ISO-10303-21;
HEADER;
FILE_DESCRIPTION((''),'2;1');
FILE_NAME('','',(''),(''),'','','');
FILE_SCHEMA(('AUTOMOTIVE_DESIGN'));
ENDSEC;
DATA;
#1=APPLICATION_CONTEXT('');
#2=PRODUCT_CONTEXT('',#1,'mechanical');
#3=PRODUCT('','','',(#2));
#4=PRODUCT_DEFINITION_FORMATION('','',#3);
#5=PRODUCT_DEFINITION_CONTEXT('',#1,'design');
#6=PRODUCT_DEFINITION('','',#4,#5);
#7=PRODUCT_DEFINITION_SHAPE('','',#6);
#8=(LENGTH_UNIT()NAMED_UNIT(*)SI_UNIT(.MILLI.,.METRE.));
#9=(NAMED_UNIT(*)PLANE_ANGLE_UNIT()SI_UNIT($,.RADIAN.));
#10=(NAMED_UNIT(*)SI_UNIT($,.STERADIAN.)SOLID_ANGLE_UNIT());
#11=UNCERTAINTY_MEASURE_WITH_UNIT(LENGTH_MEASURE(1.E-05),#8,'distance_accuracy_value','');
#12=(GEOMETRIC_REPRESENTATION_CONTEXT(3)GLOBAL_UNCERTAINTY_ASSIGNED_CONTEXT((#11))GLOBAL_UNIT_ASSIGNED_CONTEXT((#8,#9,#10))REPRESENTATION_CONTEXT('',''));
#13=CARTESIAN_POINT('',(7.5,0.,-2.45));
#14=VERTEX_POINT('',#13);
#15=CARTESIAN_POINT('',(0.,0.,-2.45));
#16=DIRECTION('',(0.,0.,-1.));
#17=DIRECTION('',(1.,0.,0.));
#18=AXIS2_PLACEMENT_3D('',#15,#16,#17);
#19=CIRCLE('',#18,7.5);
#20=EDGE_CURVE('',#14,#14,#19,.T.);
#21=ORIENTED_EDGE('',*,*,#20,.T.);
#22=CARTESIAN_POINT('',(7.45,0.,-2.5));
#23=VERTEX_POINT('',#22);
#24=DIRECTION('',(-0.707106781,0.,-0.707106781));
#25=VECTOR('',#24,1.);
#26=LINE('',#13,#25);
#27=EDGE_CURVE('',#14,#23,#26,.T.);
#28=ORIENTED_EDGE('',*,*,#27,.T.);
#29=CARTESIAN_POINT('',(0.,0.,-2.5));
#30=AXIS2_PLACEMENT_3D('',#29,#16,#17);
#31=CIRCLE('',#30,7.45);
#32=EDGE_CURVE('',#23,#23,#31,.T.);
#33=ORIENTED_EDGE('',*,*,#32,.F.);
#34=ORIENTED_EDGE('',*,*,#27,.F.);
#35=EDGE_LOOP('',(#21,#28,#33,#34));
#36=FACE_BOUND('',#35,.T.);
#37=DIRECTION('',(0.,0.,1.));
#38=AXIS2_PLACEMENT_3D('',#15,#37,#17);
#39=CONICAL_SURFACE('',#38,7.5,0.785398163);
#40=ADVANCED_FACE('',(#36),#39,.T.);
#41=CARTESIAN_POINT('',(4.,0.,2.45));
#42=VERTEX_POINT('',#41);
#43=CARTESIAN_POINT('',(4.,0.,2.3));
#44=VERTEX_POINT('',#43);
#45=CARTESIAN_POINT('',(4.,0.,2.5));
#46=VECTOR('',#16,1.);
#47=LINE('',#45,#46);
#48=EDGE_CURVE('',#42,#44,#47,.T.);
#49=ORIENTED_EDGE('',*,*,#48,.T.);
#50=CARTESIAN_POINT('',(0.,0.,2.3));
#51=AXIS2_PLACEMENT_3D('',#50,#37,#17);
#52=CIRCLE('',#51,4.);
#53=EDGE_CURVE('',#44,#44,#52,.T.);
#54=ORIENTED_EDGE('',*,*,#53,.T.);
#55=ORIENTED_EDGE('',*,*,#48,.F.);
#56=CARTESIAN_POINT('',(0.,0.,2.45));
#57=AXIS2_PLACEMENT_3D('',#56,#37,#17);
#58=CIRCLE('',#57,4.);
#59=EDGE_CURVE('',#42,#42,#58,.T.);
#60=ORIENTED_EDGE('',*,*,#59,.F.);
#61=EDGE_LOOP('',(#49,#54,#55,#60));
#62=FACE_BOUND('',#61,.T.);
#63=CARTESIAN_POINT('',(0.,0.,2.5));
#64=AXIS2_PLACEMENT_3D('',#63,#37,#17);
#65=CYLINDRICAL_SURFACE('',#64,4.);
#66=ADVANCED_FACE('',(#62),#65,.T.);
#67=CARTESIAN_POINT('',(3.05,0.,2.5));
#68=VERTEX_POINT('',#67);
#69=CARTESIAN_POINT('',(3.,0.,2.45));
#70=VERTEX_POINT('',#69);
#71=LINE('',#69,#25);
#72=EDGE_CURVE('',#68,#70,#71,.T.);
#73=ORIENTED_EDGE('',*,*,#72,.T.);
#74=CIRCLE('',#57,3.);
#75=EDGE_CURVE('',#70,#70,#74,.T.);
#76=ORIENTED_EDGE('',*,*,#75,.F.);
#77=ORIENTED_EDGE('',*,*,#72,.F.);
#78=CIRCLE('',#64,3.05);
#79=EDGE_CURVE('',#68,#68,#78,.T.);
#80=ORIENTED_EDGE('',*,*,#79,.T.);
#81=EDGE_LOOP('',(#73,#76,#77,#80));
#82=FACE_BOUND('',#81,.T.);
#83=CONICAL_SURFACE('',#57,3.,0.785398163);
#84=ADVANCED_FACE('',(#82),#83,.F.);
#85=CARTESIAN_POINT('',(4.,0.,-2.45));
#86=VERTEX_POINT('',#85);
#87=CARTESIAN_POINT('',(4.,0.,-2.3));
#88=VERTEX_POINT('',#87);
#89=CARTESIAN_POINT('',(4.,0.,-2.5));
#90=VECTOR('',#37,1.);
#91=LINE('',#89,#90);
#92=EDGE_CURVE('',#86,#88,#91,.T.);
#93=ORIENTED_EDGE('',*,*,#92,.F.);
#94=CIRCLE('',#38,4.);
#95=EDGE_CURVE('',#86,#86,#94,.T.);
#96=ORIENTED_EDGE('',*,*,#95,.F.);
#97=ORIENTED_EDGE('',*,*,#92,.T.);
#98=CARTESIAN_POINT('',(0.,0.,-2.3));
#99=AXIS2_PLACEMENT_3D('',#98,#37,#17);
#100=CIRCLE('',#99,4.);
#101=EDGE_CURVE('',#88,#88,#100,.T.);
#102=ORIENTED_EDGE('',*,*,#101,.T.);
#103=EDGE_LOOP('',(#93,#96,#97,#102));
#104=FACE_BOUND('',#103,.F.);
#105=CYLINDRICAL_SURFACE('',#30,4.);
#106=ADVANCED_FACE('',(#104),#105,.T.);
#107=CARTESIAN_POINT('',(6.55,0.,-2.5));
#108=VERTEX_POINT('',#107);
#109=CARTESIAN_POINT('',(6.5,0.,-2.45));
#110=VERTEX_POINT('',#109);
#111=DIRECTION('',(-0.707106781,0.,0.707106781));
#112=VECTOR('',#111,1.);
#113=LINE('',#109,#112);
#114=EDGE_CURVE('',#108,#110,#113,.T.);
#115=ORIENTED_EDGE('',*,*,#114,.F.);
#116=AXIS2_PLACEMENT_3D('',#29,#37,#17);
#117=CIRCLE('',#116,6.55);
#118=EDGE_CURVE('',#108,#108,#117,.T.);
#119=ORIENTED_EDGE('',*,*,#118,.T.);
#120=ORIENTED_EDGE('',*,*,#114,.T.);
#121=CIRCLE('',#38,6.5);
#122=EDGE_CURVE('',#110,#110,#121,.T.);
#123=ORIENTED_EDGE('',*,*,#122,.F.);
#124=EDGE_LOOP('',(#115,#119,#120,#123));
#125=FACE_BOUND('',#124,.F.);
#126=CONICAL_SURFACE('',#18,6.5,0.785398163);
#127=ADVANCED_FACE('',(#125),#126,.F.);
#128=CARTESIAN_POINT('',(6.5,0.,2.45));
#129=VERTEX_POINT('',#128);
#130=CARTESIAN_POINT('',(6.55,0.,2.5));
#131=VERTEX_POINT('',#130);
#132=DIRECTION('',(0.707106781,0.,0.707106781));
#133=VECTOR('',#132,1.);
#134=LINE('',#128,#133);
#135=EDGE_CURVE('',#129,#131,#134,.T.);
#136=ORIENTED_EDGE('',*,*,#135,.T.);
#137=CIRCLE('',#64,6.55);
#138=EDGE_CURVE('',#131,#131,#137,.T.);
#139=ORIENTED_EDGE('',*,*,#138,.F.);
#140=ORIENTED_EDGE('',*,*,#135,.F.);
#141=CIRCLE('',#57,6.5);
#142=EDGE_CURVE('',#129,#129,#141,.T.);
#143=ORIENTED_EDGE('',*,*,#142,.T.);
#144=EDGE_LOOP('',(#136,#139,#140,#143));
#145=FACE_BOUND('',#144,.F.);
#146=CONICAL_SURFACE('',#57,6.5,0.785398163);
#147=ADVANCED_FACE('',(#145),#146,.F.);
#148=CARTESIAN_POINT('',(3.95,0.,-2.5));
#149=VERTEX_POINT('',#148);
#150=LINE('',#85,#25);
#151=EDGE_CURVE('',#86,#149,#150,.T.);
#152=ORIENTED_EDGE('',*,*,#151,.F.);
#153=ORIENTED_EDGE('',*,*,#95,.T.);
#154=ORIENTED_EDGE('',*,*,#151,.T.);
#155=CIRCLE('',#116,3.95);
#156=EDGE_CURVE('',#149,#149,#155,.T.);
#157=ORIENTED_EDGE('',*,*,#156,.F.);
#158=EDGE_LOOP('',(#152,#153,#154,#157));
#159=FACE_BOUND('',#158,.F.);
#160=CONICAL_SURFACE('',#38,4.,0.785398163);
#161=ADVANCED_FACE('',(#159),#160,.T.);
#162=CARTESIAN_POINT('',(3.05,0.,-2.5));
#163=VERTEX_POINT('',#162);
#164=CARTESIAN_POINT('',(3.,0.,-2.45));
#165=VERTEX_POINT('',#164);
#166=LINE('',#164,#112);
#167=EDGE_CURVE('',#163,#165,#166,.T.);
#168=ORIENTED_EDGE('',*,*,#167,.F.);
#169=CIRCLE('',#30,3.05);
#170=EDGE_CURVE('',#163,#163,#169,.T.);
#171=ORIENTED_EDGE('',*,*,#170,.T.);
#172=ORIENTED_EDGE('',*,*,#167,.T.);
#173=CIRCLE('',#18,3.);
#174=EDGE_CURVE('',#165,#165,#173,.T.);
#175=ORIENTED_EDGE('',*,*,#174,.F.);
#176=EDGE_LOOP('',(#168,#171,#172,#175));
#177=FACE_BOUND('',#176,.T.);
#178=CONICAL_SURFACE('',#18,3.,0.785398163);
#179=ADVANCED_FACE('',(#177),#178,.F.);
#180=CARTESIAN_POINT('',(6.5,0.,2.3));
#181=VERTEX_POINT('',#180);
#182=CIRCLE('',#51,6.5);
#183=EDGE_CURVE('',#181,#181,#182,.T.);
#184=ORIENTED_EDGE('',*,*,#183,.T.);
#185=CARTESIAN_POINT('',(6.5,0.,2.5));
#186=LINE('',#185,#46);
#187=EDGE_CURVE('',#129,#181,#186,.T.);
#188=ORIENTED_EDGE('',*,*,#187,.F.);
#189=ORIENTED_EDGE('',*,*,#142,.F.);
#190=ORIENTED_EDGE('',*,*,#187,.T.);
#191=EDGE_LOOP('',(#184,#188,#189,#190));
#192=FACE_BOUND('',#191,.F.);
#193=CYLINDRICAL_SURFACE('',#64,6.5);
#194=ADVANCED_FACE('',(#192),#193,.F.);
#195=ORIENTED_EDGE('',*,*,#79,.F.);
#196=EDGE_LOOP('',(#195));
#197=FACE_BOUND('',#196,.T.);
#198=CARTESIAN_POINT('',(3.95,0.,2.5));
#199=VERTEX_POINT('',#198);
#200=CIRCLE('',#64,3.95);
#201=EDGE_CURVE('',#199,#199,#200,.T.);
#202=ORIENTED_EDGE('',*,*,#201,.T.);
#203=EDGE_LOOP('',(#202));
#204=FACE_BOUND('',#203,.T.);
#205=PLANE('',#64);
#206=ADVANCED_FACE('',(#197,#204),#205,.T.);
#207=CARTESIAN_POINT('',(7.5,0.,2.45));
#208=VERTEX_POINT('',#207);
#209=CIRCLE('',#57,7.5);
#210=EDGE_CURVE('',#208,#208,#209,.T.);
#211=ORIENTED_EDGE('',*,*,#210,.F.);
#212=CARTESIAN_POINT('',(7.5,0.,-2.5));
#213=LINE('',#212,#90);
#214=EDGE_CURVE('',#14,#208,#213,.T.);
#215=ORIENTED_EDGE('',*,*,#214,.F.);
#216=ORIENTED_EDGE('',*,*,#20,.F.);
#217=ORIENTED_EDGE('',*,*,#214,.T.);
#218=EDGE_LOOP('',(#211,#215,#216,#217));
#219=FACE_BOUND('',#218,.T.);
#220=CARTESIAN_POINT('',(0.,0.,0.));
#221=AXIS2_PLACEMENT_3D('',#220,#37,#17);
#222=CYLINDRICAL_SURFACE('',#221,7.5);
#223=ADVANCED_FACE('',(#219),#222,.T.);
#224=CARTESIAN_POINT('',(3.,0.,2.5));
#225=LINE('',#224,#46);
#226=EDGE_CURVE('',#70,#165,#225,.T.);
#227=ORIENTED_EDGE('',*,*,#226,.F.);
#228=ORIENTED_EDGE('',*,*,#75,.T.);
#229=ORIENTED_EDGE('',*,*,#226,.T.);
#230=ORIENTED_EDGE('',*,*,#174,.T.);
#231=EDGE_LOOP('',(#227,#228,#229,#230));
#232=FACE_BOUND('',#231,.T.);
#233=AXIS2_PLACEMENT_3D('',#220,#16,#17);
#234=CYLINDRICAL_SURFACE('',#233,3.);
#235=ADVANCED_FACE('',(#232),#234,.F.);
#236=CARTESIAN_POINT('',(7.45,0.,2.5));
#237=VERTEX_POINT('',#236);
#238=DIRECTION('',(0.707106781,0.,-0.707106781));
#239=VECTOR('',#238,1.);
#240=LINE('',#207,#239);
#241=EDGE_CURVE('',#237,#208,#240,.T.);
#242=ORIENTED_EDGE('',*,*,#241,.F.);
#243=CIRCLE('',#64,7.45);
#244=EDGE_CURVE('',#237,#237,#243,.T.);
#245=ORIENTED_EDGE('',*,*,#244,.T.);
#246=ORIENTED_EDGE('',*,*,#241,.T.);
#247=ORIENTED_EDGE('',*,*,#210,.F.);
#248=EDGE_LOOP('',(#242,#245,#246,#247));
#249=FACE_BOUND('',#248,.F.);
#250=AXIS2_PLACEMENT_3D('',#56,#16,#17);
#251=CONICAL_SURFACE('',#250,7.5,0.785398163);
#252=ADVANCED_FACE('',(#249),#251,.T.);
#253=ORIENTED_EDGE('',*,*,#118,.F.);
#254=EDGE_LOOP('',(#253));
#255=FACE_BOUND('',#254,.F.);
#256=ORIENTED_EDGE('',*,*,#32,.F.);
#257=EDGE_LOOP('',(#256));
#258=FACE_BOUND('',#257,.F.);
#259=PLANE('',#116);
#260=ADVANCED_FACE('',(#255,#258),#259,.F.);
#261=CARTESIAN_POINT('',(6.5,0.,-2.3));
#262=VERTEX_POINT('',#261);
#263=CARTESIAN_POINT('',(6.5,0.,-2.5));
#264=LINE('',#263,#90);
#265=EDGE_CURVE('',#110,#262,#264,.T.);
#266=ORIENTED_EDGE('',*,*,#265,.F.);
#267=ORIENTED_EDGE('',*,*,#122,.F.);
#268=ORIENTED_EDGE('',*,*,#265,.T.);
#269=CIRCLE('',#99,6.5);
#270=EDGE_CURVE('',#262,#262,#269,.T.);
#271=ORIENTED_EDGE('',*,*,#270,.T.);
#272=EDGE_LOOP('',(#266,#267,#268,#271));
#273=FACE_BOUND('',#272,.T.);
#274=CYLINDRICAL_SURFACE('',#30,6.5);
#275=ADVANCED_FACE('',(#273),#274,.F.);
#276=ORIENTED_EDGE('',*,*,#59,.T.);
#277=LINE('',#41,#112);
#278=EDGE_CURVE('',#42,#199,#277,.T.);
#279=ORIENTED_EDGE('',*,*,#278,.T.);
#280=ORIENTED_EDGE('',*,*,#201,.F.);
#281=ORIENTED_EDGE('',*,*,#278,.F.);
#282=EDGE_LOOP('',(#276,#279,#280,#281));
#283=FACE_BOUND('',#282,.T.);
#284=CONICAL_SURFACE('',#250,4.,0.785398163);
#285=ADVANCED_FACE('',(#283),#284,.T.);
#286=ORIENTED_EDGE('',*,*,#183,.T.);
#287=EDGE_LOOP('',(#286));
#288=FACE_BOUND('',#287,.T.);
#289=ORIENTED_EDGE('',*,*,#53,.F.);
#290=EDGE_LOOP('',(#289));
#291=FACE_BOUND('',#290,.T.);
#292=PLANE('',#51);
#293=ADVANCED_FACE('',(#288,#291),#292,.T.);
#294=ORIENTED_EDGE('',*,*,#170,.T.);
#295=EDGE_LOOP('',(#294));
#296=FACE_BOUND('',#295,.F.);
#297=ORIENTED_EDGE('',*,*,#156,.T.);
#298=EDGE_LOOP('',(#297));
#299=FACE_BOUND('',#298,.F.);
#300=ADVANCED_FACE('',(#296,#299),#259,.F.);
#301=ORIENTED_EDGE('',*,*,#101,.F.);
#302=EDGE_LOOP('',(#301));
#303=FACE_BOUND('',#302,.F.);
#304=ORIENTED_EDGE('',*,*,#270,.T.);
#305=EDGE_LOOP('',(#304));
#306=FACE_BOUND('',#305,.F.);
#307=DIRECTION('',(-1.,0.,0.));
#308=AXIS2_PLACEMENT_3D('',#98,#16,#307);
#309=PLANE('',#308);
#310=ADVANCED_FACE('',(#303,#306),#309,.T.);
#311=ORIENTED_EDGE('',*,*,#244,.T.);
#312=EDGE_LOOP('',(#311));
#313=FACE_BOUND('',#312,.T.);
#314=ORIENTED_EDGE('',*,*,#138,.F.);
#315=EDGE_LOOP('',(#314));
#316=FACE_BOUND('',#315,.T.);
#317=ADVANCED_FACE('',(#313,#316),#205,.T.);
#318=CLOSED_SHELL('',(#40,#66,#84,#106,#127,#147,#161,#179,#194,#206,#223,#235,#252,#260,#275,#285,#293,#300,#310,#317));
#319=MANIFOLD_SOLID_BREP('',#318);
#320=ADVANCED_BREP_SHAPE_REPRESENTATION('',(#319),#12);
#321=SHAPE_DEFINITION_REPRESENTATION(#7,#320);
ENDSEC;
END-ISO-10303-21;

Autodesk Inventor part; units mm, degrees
ref_plane "YZ Plane" through (0, 0, 0) normal (1, 0, 0) x (0, 1, 0)
ref_plane "XZ Plane" through (0, 0, 0) normal (0, 1, 0) x (-1, 0, 0)
ref_plane "XY Plane" through (0, 0, 0) normal (0, 0, 1) x (1, 0, 0)
sketch "Skizze1" plane through (0, 0, 0) normal (0, 0, 1) x (1, 0, 0)
  line L0 (-10.5, 0) -> (10.5, 0) projected
  line L1 (0, -10.5) -> (0, 10.5) projected
  circle A0 centre (0, 0) radius 7.5
  circle A1 centre (0, 0) radius 3
  dimension "d0" = 15
  dimension "d1" = 6
extrude "Extrusion1" add sketch "Skizze1" along normal mid plane 5 contours A1 L1 A0 L0 | L0 A0 L1 A1 | A1 L0 A0 L1 | L1 A0 L0 A1
sketch "Skizze2" plane through (0, 0, 2.5) normal (0, 0, 1) x (1, 0, 0)
  circle A0 centre (0, 0) radius 3 projected
  circle A1 centre (0, 0) radius 7.5 projected
  circle A2 centre (0, 0) radius 4
  circle A3 centre (0, 0) radius 6.5
  dimension "d4" = 8
  dimension "d5" = 13
extrude "Extrusion2" cut sketch "Skizze2" against normal blind 0.2 contours A3
mirror "Spiegeln1" about plane through (0, 0, 0) normal (0, 0, 1) of "Extrusion2"
chamfer "Fase1" distance 0.05 angle 45 1 edges at (-6.5, 0, 2.5)
chamfer "Fase2" distance 0.05 angle 45 1 edges at (-4, 0, 2.5)
chamfer "Fase3" distance 0.05 angle 45 1 edges at (-3, 0, 2.5)
chamfer "Fase4" distance 0.05 angle 45 1 edges at (-7.5, 0, 2.5)
chamfer "Fase5" distance 0.05 angle 45 1 edges at (-7.5, 0, -2.5)
chamfer "Fase6" distance 0.05 angle 45 1 edges at (-6.5, 0, -2.5)
chamfer "Fase7" distance 0.05 angle 45 1 edges at (-4, 0, -2.5)
chamfer "Fase8" distance 0.05 angle 45 1 edges at (-3, 0, -2.5)
properties part number "Kugellager_6x15x5_696ZZ" material "Stahl, Kohlenstoff"
